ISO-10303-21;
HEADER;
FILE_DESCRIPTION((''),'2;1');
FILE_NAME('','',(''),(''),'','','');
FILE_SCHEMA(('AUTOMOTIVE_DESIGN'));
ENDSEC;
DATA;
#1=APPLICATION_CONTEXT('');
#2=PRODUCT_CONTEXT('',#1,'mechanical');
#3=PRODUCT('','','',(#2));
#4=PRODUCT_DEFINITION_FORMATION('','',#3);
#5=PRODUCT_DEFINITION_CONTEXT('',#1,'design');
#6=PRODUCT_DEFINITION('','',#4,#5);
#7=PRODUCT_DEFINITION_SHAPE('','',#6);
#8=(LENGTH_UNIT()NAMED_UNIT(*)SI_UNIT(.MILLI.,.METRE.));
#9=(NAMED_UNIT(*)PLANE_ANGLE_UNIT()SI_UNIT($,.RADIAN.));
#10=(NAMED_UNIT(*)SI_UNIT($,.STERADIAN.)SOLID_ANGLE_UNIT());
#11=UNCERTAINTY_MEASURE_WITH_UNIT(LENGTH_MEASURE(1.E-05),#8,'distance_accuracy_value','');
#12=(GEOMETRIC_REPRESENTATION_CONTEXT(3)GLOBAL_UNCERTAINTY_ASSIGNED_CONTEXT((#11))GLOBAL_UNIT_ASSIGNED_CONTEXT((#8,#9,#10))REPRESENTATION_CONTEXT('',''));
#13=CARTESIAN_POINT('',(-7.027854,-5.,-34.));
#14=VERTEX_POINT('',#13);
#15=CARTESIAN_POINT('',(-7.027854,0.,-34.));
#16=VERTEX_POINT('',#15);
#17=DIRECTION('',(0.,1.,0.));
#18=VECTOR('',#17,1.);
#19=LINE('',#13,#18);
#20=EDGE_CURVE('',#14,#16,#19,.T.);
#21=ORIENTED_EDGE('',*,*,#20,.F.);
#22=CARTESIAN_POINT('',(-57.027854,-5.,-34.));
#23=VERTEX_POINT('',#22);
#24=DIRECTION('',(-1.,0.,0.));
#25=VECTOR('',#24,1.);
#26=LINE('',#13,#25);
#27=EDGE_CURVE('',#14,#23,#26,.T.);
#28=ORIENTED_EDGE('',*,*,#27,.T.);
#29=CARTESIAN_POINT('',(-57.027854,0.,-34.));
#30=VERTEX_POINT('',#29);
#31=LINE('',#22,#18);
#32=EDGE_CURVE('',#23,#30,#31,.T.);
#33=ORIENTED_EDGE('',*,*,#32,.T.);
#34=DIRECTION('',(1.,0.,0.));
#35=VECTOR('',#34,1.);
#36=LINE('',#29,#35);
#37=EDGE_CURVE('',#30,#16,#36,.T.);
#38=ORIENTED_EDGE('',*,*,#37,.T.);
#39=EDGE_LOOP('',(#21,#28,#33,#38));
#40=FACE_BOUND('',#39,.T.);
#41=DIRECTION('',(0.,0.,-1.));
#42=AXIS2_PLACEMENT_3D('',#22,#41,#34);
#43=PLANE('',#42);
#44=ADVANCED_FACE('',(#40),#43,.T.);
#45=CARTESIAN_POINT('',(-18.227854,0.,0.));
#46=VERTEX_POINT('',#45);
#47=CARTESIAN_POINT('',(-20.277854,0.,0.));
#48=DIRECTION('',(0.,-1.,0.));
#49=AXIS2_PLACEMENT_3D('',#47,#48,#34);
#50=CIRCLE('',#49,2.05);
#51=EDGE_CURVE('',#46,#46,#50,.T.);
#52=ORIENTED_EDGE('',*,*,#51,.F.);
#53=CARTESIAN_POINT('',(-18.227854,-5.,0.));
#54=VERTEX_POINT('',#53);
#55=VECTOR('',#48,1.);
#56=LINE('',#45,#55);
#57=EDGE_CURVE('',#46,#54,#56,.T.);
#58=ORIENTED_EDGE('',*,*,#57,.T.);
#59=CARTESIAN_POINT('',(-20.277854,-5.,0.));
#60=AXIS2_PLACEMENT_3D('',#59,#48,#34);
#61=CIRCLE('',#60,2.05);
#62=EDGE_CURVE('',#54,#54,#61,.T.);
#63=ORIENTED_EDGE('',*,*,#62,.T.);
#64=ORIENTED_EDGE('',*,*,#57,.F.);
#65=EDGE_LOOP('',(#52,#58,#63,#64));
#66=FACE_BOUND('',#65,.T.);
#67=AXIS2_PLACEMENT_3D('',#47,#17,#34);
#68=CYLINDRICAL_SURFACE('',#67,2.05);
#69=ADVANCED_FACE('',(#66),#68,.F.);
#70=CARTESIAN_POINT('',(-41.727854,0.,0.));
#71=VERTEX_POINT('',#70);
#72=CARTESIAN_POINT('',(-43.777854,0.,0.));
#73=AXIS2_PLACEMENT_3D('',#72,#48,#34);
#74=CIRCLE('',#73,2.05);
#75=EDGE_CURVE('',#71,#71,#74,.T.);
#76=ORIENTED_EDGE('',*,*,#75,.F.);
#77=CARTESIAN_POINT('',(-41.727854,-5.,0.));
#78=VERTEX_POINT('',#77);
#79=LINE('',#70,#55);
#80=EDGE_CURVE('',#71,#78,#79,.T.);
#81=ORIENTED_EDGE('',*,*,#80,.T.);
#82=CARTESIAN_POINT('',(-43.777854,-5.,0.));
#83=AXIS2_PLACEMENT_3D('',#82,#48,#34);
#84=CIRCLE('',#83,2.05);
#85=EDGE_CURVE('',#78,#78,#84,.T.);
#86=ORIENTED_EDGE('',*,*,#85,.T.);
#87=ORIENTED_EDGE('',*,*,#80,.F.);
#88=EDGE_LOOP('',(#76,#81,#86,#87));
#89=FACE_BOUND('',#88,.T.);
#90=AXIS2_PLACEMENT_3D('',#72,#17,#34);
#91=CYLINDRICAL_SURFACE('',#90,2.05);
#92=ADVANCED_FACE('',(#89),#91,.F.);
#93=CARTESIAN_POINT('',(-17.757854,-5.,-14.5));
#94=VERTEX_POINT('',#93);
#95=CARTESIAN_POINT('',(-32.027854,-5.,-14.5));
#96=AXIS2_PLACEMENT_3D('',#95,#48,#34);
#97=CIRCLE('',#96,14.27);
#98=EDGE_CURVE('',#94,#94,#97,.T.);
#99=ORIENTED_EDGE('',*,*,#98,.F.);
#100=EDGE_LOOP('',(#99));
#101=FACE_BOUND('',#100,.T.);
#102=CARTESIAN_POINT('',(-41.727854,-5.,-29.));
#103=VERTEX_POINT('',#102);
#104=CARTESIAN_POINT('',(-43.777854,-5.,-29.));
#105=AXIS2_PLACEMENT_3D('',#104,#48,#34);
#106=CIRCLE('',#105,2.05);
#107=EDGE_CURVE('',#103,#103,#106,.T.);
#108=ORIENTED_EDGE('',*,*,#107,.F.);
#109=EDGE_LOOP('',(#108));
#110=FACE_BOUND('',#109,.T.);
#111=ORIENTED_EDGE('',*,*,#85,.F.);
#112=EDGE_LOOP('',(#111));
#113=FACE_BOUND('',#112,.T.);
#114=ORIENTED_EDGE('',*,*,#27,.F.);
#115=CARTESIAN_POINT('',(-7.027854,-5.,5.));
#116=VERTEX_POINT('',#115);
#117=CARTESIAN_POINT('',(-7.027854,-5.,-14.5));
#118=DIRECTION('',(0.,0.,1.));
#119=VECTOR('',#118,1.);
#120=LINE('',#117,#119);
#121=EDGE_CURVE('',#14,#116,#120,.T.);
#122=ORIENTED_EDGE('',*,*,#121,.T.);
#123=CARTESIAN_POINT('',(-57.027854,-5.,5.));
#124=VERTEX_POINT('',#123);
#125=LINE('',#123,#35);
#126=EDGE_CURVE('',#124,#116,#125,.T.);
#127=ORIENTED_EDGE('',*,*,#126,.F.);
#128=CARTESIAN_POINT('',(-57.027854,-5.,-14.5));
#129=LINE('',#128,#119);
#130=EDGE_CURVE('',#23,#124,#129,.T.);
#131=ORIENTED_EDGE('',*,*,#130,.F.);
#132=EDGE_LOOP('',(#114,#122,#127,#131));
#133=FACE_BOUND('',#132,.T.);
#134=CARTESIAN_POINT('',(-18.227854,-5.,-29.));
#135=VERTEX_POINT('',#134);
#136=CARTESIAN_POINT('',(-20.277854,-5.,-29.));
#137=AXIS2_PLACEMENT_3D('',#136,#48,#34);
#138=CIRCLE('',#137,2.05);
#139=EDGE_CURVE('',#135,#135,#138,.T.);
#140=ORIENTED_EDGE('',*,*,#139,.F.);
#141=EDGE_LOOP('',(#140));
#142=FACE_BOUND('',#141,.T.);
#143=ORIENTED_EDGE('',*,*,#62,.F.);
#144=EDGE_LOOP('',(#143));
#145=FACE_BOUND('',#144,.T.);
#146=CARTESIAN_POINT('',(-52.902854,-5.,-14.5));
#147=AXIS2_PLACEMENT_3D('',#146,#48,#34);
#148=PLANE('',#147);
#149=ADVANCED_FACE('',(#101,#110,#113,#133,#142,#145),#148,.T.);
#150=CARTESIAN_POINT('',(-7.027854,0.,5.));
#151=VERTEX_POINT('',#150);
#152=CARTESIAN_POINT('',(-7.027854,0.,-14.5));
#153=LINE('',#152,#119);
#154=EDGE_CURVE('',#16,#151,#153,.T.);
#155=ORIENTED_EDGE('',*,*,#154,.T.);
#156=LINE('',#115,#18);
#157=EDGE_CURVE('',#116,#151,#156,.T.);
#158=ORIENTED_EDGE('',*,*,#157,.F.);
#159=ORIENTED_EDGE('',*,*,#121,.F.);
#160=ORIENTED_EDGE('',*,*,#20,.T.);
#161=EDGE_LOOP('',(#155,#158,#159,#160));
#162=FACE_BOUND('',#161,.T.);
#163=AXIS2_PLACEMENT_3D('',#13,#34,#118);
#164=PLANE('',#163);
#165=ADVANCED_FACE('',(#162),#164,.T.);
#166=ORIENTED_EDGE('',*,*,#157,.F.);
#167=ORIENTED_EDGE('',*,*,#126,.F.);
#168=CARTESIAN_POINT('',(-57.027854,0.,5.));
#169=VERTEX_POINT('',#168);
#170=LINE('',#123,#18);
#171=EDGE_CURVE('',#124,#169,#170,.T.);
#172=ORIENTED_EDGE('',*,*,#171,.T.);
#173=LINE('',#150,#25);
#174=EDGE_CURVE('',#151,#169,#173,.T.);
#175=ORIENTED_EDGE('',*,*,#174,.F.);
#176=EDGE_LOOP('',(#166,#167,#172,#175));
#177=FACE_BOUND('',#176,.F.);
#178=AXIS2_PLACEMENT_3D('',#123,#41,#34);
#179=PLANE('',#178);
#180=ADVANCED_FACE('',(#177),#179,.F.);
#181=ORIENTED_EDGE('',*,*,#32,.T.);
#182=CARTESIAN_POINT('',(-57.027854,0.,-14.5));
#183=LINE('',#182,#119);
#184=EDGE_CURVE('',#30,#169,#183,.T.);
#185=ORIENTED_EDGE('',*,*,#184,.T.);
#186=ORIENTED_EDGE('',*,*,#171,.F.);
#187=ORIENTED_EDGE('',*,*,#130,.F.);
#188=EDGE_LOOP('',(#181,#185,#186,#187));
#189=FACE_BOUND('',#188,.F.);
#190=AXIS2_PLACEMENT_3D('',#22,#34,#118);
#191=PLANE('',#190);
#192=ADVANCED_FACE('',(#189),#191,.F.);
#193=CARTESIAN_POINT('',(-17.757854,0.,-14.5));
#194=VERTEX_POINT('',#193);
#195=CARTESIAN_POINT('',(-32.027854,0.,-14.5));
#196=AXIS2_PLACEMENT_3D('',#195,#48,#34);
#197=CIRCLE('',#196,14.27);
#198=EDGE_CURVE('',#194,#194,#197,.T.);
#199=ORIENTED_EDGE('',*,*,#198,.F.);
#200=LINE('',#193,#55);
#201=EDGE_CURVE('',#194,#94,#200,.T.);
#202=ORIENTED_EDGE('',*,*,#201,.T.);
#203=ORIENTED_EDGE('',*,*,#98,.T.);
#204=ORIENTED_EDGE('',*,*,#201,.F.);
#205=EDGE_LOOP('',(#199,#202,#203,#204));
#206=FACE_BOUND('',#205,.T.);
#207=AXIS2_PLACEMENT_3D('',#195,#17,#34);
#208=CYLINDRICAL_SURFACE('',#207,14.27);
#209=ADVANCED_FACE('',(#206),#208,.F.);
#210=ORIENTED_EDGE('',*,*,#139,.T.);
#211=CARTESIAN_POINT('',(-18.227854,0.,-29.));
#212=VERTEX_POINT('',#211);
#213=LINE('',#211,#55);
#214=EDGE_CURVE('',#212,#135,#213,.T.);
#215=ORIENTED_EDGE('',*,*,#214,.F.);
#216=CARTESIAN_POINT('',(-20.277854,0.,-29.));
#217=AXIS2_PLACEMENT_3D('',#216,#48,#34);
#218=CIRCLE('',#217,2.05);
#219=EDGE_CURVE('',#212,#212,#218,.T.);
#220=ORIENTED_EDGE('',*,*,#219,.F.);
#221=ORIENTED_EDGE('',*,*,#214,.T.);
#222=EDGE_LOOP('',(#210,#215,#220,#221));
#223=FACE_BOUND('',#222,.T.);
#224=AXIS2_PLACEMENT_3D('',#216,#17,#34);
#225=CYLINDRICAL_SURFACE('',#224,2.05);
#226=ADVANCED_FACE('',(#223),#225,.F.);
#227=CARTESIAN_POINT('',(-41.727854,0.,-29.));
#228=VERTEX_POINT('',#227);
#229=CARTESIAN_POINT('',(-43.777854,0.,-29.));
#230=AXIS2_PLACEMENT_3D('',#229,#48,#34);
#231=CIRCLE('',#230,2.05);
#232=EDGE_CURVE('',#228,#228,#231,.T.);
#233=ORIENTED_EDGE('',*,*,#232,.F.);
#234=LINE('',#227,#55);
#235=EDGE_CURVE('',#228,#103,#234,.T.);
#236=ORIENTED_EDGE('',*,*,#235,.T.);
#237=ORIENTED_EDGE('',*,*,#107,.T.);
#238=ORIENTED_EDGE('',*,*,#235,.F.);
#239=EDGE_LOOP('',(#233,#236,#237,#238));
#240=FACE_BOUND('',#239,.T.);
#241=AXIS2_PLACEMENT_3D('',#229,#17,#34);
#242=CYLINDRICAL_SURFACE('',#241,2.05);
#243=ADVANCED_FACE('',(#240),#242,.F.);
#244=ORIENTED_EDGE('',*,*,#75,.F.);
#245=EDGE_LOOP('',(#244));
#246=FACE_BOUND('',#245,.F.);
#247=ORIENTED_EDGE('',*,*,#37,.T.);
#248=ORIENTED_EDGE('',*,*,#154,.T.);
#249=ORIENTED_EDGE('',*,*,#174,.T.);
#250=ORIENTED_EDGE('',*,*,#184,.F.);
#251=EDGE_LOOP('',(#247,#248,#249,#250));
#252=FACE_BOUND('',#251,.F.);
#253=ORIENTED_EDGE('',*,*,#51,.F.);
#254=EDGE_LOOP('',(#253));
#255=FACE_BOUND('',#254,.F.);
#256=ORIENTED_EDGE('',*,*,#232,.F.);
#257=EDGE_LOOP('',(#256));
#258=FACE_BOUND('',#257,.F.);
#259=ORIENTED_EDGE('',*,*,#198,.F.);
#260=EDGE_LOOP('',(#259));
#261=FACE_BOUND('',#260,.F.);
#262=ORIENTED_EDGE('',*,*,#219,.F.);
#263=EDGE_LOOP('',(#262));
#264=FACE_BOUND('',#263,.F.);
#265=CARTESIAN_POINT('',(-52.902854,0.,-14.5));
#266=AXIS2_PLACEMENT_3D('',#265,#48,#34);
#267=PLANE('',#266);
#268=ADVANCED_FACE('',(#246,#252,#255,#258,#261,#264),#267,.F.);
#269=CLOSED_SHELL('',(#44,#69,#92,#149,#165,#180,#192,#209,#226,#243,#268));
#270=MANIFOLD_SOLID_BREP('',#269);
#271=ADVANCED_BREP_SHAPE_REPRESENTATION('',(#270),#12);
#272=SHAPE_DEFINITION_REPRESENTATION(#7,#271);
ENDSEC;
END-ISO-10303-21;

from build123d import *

# Parameters (mm, degrees)
F0_W     = 33.5
F0_H     = 39
F0_R     = 2.05
F0_R_2   = 14.27
F1_DEPTH = 5
F2_W     = 8.25
F2_H     = 39
F3_DEPTH = 5


with BuildPart() as f1:
    # F0 (on Front) → F1 (new body)
    with BuildSketch(Plane.XZ):
        with Locations((-32.0278543325, -14.5)):
            Rectangle(F0_W, F0_H)
        with Locations((-43.7778543325, -29)):
            Circle(F0_R, mode=Mode.SUBTRACT)
        with Locations((-20.2778543325, -29)):
            Circle(F0_R, mode=Mode.SUBTRACT)
        with Locations((-43.7778543325, 0)):
            Circle(F0_R, mode=Mode.SUBTRACT)
        with Locations((-32.0278543325, -14.5)):
            Circle(F0_R_2, mode=Mode.SUBTRACT)
        with Locations((-20.2778543325, 0)):
            Circle(F0_R, mode=Mode.SUBTRACT)
    extrude(amount=F1_DEPTH)

    # F2 (on face) → F3 (join, through all)
    with BuildSketch(Plane.XZ.offset(5)):
        with Locations((-52.9028543325, -14.5)):
            Rectangle(F2_W, F2_H)
        with Locations((-11.1528543325, -14.5)):
            Rectangle(F2_W, F2_H)
    extrude(amount=-F3_DEPTH)


solid = f1.part
